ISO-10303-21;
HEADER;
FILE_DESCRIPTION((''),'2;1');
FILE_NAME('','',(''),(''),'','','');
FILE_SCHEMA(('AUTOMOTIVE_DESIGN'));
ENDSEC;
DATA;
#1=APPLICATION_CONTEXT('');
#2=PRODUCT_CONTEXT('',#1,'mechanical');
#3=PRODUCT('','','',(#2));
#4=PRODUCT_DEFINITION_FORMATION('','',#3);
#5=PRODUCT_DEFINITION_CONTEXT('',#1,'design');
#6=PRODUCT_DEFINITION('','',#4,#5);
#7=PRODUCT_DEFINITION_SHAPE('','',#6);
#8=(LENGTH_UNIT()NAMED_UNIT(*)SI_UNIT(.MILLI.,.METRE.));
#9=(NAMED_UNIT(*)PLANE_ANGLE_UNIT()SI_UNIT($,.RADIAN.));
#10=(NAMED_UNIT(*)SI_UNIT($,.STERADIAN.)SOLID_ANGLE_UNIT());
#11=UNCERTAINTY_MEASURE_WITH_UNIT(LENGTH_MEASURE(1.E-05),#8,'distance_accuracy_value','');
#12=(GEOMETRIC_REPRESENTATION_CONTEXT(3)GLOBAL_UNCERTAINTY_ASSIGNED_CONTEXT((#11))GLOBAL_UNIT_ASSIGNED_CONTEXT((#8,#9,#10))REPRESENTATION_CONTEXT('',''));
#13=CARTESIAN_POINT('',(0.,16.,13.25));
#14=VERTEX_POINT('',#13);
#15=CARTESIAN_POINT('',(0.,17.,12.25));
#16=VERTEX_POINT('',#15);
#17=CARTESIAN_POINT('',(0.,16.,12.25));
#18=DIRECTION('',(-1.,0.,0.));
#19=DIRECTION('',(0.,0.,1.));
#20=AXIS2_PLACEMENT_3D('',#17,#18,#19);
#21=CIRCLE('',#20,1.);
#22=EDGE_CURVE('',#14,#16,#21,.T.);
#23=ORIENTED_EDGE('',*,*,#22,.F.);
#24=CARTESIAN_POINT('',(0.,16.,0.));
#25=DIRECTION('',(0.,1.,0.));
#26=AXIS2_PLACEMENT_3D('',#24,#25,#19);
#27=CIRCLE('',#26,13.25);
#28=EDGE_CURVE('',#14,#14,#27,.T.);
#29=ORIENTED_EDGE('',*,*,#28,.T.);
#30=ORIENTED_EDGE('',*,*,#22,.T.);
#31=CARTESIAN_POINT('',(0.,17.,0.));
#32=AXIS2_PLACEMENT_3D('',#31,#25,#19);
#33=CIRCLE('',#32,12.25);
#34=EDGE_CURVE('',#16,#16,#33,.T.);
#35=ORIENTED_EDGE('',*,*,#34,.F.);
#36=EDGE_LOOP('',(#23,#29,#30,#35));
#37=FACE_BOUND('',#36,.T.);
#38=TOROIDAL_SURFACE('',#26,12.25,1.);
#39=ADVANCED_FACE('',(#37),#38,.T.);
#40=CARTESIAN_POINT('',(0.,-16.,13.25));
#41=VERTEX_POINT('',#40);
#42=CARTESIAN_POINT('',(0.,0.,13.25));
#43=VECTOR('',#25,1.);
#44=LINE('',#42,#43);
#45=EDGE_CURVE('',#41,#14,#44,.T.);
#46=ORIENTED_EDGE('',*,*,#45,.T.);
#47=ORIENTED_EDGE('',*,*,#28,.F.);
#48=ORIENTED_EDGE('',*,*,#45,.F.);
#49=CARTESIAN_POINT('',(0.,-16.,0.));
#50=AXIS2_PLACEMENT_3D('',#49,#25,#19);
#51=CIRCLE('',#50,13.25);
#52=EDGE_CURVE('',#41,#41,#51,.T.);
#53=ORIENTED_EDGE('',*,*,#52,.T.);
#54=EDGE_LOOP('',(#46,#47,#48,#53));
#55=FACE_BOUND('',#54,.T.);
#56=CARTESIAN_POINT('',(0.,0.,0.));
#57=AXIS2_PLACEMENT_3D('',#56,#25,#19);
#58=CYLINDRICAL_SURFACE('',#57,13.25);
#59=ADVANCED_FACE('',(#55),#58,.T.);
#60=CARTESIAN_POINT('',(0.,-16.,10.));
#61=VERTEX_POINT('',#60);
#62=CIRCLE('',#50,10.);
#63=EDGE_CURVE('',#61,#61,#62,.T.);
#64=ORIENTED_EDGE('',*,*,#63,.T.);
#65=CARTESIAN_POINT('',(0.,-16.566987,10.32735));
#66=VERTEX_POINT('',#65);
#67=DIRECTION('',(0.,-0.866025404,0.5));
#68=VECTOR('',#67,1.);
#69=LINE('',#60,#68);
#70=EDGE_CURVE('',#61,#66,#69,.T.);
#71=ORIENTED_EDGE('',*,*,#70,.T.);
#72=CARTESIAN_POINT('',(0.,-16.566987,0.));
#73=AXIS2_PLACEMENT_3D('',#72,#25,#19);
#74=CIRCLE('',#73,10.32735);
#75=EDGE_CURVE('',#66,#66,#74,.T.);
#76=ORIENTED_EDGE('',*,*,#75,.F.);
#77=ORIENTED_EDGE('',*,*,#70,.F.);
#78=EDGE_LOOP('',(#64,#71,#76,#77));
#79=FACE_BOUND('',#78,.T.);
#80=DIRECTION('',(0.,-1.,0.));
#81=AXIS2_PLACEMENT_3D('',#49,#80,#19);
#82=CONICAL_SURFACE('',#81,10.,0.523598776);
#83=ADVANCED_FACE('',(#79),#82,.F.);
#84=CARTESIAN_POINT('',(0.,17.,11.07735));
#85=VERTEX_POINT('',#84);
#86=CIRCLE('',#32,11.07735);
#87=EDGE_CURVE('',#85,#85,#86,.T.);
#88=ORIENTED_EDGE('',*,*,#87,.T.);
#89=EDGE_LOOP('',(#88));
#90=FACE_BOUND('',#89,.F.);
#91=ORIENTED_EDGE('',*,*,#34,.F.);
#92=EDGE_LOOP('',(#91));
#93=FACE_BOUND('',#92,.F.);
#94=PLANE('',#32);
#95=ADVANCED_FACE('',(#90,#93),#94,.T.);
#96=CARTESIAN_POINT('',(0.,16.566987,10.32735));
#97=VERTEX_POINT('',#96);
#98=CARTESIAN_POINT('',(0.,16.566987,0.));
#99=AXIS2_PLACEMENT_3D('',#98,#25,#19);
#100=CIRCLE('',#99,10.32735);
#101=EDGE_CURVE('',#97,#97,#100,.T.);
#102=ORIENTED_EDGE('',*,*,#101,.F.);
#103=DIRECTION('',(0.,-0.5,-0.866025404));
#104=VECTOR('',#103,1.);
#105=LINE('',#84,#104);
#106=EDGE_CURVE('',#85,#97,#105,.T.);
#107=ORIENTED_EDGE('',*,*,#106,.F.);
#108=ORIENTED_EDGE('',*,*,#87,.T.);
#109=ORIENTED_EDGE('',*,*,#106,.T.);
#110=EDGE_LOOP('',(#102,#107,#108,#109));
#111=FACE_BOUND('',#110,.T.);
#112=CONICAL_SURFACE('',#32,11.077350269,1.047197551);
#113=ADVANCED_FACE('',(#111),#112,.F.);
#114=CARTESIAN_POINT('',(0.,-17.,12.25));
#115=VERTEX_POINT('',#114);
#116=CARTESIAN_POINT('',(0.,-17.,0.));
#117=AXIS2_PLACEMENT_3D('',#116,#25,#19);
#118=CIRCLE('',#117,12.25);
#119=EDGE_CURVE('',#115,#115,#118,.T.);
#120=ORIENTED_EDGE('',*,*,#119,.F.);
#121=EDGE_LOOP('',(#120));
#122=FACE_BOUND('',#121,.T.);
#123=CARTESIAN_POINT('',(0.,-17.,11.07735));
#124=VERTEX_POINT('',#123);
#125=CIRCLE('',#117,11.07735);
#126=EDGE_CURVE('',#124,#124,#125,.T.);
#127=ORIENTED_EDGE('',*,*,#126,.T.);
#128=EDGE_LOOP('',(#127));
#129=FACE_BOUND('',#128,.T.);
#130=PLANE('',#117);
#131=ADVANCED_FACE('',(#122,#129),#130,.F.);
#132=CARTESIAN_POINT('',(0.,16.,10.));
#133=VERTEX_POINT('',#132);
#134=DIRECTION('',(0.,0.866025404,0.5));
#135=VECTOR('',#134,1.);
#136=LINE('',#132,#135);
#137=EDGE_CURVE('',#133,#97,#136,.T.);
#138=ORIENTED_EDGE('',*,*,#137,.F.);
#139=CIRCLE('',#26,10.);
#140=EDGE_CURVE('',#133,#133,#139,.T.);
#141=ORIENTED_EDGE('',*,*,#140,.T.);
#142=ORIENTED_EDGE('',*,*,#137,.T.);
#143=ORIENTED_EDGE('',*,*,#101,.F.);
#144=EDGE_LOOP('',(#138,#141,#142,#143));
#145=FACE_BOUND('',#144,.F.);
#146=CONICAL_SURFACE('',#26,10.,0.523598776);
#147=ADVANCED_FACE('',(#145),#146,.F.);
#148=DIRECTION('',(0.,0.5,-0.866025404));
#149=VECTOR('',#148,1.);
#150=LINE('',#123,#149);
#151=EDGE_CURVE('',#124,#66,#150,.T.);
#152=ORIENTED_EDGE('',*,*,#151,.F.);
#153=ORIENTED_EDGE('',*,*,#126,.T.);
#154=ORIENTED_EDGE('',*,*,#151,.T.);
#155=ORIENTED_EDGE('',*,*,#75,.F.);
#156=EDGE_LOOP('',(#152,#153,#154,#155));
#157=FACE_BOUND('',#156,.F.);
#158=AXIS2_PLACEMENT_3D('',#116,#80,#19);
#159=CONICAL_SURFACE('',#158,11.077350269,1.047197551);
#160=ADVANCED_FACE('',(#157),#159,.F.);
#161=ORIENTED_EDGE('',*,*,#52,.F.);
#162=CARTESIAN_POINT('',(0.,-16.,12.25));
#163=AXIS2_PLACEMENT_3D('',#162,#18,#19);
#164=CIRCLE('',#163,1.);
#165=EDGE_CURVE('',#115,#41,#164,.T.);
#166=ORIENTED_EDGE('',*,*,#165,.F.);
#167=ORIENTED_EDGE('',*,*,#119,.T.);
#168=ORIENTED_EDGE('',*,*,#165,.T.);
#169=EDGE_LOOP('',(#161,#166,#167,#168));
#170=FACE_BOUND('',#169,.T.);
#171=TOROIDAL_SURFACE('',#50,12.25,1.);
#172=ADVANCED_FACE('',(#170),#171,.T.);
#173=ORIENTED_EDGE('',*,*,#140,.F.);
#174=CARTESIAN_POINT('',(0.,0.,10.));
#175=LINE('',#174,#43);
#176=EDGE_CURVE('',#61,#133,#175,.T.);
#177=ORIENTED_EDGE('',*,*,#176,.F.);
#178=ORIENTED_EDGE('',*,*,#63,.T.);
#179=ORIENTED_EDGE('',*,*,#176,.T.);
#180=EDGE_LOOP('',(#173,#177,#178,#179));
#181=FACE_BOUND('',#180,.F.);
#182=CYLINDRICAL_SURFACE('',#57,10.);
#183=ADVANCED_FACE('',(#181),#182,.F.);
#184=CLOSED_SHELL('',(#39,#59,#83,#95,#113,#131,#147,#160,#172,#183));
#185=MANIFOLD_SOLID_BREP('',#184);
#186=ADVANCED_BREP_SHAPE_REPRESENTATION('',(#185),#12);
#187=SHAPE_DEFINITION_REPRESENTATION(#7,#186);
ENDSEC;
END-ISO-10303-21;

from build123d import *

# Parameters (mm, degrees)
F0_W     = 34
F0_H     = 3.25
F2_SIZE2 = 0.5773502692
F2_SIZE  = 1
F3_SIZE2 = 0.5
F3_SIZE  = 0.5
F4_R     = 1


with BuildPart() as f1:
    # F0 (on Right) → F1 (revolve)
    with BuildSketch(Plane.YZ):
        with Locations((0, 11.625)):
            Rectangle(F0_W, F0_H)
    revolve(axis=Axis((0, 0.0117017189, 0), (0, 1, 0)))

    # F2
    f2_edges = [f1.edges().sort_by_distance(p)[0] for p in [
        (0, -17, -10),
        (0, 17, -10),
    ]]
    f2_side = f1.faces().sort_by_distance((0, 0, -10))[0]
    chamfer(f2_edges, length=F2_SIZE, length2=F2_SIZE2, reference=f2_side)

    # F3
    f3_edges = [f1.edges().sort_by_distance(p)[0] for p in [
        (0, -17, -10.57735),
        (0, 17, -10.57735),
    ]]
    chamfer(f3_edges, length=F3_SIZE, length2=F3_SIZE2)

    # F4
    f4_edges = [f1.edges().sort_by_distance(p)[0] for p in [
        (0, 17, -13.25),
        (0, -17, -13.25),
    ]]
    fillet(f4_edges, radius=F4_R)


solid = f1.part
